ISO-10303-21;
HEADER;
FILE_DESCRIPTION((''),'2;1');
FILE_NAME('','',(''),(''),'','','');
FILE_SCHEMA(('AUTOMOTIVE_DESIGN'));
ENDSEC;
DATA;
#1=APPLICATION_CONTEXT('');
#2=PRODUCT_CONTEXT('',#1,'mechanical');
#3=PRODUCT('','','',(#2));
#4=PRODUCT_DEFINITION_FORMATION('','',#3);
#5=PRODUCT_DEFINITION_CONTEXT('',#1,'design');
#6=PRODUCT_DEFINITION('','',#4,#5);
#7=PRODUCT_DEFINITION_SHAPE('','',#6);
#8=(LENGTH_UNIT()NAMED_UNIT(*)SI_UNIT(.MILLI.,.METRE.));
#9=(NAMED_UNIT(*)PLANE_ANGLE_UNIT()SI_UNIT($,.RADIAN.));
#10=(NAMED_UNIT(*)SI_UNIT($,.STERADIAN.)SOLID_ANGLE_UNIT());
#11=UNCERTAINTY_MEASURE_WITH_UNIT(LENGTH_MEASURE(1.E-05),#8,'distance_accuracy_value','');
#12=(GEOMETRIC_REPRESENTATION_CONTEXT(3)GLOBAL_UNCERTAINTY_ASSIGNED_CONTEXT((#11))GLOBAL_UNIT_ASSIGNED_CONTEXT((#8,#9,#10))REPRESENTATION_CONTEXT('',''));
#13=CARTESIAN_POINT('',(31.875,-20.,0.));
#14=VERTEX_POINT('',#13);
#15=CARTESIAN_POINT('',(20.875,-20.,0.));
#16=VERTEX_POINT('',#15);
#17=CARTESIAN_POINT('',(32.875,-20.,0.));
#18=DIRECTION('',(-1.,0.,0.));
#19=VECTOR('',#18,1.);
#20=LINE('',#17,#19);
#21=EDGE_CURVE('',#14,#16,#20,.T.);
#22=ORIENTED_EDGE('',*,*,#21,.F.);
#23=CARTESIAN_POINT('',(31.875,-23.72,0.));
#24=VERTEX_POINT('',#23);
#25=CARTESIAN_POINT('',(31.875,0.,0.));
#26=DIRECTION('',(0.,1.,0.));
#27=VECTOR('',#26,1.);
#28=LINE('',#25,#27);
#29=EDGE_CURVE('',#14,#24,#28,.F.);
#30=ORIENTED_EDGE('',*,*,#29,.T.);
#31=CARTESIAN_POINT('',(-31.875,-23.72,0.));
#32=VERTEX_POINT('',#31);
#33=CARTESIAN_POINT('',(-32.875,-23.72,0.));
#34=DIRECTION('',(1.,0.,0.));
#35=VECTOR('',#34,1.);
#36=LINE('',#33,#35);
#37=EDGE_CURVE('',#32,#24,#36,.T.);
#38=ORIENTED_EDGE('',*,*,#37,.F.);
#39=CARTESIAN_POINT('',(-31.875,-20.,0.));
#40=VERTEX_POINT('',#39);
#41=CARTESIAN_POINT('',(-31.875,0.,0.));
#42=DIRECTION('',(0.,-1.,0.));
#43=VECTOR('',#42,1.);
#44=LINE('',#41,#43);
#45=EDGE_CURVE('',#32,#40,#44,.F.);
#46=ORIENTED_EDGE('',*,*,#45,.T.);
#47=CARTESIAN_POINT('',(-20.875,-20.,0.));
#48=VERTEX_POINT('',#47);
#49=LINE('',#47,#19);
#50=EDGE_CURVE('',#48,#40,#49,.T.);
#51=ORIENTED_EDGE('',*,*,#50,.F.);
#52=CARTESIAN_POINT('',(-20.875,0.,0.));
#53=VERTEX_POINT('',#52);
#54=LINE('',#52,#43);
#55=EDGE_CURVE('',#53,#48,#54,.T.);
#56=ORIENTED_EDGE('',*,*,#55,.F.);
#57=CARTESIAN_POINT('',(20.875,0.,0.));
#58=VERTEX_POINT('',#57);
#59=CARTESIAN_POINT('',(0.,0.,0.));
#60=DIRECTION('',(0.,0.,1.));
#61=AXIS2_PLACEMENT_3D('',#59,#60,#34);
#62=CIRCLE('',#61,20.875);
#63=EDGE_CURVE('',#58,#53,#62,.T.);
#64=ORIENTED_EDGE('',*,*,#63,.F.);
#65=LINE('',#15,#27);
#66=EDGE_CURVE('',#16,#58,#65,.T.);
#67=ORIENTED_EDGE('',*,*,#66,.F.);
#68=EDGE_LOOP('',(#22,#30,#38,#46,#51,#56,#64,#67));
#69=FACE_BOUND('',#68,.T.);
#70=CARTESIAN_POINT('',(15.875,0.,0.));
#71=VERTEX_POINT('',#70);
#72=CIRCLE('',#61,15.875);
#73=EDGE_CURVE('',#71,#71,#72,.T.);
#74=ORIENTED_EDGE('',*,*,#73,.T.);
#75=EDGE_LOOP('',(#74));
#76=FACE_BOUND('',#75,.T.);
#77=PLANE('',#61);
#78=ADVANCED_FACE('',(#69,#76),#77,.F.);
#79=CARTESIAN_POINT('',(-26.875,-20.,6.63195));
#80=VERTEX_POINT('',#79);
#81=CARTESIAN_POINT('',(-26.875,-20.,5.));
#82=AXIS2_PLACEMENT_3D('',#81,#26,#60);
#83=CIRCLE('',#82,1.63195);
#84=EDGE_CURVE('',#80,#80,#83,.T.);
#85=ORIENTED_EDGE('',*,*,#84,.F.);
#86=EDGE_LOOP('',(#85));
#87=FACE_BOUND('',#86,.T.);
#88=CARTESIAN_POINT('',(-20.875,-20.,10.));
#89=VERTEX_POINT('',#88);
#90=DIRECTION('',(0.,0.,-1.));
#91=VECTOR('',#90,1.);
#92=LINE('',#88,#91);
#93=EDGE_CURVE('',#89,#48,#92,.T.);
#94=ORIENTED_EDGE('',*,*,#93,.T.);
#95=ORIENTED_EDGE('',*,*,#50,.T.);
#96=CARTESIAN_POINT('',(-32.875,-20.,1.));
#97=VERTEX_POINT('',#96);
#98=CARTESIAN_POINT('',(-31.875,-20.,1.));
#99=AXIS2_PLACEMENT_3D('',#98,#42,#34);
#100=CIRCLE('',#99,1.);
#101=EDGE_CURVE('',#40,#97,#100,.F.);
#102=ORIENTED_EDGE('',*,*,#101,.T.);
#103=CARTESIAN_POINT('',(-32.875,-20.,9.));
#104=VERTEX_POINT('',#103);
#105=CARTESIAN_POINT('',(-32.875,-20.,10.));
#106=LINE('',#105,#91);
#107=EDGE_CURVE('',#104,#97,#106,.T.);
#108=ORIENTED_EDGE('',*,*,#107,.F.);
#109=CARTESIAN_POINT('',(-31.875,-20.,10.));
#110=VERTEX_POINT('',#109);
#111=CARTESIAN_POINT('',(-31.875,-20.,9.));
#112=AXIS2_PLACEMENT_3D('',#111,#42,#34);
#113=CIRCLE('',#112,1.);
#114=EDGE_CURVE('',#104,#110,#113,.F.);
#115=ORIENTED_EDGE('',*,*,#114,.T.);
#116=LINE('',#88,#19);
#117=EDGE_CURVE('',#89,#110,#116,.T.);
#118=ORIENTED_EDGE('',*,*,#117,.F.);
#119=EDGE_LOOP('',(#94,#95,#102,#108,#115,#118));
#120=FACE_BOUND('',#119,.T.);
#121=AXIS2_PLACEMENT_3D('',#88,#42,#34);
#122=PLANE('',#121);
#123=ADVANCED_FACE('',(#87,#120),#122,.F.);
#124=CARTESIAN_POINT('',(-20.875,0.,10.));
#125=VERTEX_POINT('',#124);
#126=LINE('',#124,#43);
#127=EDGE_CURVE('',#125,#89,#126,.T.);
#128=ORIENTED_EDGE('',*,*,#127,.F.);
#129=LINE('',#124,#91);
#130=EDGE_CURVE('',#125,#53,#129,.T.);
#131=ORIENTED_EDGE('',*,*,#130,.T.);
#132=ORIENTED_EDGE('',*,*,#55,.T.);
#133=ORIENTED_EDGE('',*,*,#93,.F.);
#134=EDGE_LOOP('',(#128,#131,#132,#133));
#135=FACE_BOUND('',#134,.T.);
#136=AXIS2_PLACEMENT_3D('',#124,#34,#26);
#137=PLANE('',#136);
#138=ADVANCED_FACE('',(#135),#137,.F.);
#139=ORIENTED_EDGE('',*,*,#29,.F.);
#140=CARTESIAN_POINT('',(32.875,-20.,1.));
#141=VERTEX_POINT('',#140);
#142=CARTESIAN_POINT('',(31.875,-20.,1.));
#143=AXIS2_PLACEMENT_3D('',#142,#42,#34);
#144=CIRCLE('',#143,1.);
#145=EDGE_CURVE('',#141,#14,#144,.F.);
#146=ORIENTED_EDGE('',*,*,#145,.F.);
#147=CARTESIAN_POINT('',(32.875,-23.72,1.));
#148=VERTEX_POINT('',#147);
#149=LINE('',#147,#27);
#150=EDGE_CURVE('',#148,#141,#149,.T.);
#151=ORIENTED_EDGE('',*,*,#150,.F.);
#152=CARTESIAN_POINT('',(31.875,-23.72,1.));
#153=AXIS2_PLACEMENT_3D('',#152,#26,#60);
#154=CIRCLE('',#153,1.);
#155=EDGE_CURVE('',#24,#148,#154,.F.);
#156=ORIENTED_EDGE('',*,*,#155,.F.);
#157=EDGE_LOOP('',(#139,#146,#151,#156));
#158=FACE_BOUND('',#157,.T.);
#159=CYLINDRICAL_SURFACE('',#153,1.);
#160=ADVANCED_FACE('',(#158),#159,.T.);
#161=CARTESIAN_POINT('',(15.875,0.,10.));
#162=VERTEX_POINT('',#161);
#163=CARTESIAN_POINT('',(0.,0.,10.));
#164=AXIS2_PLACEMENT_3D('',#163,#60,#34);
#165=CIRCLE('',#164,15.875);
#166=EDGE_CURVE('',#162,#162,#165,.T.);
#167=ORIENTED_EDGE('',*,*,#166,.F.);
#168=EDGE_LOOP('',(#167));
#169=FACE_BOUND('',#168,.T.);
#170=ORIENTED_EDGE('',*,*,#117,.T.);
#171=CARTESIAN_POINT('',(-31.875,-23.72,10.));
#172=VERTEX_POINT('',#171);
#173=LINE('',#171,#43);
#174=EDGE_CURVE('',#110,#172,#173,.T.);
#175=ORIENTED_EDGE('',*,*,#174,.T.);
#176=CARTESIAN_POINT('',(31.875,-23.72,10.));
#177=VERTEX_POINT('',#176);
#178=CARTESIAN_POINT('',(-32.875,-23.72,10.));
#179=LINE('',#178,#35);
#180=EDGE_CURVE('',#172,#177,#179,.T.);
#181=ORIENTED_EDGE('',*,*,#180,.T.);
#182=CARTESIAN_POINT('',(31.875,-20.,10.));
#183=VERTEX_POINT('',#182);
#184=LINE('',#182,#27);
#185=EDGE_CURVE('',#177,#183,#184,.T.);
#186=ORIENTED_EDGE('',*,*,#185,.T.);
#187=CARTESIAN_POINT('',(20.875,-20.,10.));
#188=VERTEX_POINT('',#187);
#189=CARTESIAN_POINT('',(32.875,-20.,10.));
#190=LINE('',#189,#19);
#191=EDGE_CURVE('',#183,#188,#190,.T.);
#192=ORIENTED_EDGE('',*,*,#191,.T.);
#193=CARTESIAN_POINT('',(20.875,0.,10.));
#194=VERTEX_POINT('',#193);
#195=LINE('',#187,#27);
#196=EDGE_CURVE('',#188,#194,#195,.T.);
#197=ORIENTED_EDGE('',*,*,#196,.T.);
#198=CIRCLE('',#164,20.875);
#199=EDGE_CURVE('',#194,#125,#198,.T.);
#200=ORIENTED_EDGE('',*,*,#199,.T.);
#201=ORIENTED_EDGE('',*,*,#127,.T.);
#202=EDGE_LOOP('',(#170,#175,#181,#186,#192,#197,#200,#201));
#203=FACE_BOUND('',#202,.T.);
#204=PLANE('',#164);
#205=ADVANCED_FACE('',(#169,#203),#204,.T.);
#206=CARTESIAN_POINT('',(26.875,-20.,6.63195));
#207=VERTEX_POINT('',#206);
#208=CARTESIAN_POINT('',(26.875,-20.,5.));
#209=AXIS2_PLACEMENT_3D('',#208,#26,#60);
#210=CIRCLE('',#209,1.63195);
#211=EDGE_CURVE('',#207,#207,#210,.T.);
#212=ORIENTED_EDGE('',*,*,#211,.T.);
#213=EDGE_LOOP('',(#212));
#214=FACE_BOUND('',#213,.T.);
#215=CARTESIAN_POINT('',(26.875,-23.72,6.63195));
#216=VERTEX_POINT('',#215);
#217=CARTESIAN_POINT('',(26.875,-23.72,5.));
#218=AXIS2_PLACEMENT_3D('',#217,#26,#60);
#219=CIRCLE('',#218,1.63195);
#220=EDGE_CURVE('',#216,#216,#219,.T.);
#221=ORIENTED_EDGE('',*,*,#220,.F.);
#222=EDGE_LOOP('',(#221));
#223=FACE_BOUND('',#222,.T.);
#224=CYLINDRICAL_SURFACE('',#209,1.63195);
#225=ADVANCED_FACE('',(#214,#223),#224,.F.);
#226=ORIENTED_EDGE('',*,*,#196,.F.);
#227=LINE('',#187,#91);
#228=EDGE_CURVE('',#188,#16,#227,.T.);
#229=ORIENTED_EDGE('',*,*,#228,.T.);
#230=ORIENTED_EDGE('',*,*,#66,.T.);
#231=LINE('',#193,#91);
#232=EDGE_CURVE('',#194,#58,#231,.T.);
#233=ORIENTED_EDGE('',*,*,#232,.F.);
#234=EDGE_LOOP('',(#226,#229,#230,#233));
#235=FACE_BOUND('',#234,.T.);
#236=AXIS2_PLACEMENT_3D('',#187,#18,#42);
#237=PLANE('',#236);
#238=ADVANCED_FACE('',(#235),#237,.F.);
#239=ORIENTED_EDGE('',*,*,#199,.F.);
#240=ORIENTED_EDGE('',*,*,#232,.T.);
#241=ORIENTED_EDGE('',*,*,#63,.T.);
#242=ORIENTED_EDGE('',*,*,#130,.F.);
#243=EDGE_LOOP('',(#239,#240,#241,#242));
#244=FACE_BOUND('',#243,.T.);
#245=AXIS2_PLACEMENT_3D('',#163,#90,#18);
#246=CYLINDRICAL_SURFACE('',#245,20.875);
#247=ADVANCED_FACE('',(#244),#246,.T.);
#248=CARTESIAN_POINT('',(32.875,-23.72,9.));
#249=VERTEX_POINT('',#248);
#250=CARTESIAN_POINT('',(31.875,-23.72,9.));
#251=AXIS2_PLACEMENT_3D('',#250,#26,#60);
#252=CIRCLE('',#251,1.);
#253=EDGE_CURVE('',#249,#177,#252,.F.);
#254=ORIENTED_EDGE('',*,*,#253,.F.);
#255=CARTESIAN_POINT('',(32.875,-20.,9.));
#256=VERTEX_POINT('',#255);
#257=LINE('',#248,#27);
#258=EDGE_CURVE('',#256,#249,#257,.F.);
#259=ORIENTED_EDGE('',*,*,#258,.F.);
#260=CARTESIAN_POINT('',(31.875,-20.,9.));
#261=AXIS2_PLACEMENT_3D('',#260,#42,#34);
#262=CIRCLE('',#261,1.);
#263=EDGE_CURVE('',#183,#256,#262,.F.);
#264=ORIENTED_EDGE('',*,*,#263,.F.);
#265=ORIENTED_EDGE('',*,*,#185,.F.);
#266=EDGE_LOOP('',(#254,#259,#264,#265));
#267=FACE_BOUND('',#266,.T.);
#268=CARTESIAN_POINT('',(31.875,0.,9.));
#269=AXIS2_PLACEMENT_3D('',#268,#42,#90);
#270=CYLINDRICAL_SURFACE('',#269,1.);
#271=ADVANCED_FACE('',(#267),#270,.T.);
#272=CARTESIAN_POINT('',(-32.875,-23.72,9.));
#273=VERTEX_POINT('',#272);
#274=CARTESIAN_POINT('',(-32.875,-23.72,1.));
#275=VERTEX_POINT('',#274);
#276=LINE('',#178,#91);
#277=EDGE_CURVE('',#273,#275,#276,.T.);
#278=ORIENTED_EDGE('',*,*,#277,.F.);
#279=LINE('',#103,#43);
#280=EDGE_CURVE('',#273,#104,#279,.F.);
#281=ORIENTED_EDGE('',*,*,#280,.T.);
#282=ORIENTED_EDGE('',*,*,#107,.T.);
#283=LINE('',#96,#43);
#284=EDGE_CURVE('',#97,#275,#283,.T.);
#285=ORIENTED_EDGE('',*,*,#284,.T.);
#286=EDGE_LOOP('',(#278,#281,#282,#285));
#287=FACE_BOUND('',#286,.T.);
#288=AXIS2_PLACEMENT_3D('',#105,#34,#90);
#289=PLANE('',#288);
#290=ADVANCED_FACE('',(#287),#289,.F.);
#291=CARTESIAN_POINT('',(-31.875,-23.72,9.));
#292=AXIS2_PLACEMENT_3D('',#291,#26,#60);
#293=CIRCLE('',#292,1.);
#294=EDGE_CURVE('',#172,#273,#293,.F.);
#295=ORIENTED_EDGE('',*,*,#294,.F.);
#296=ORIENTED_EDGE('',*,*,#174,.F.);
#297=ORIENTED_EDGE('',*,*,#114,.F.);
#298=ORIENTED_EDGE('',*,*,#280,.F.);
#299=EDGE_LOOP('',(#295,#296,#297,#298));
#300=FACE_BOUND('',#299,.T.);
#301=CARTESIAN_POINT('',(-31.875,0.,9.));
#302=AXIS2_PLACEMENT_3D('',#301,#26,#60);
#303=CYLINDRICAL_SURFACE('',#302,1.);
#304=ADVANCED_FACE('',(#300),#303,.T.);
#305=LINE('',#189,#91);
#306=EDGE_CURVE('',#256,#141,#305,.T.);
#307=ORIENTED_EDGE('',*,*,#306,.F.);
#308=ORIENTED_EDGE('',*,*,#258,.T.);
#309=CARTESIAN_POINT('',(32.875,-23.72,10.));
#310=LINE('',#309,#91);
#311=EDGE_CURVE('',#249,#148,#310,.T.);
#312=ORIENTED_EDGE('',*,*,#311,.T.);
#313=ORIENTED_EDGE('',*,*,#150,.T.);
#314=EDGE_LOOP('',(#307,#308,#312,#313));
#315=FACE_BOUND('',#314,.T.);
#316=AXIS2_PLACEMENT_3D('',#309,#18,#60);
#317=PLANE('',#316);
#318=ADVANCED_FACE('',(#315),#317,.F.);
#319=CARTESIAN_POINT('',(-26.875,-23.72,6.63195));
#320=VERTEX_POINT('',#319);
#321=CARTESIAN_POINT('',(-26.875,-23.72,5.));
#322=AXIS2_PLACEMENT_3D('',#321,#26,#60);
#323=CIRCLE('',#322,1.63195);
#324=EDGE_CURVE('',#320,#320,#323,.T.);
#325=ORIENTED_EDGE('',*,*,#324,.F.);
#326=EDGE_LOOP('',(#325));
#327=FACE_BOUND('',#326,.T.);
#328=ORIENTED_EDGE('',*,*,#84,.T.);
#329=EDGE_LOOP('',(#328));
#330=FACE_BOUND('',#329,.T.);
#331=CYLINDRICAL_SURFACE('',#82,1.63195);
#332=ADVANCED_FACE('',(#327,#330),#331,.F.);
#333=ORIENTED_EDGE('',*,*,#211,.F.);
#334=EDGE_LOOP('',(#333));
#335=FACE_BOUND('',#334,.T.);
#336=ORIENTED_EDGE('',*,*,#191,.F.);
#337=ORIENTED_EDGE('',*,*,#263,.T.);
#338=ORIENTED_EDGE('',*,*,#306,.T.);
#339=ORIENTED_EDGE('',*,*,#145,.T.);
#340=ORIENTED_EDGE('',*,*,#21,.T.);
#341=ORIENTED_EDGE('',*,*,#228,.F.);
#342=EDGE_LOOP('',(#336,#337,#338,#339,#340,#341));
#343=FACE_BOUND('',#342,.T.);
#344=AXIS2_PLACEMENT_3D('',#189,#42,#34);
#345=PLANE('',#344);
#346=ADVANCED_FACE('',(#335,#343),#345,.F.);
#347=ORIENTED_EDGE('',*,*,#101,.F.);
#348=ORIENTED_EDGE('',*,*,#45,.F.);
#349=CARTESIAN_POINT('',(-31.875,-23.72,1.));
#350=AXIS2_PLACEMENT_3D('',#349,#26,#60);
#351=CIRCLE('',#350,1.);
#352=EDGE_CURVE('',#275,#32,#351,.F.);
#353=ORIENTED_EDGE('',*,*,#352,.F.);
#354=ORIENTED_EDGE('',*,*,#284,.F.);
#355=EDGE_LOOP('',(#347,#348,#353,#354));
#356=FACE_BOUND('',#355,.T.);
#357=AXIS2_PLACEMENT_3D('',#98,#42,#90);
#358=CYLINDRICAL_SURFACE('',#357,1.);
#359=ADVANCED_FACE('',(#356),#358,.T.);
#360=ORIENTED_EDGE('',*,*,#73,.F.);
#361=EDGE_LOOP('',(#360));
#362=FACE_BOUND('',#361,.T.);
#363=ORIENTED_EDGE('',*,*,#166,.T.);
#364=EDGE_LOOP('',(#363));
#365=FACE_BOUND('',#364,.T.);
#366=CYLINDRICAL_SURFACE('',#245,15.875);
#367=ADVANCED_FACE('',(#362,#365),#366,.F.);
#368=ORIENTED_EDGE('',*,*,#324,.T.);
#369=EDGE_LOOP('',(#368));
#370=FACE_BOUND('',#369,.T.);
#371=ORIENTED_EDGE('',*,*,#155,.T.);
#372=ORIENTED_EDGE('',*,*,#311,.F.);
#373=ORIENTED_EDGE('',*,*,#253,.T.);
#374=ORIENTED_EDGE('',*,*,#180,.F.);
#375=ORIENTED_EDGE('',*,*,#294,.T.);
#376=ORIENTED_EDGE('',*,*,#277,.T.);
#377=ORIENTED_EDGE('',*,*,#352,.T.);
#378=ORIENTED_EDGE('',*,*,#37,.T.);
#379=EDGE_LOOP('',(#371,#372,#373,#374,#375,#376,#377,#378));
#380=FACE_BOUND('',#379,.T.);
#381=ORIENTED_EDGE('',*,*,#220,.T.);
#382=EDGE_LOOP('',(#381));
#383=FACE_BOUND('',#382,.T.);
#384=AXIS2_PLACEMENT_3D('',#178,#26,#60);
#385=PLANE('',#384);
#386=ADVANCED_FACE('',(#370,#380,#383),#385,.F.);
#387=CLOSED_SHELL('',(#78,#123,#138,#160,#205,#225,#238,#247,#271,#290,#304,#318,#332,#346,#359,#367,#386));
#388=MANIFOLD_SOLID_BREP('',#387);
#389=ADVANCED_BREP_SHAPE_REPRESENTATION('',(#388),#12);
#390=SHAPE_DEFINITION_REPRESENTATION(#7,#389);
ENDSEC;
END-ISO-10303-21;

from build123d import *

# Parameters (mm, degrees)
SKETCH1_R             = 15.875
BOSS_EXTRUDE1_DEPTH   = 10
FILLET1_R             = 1
F_4_CLEARANCE_HOLE1_D = 3.2639


with BuildPart() as part:
    # Sketch1 → Boss-Extrude1 (new body)
    with BuildSketch(Plane.XY):
        with BuildLine():
            Line((-20.875, 0), (-20.875, -20))
            Line((-20.875, -20), (-32.875, -20))
            Line((-32.875, -20), (-32.875, -23.72))
            Line((-32.875, -23.72), (32.875, -23.72))
            Line((32.875, -23.72), (32.875, -20))
            Line((32.875, -20), (20.875, -20))
            Line((20.875, -20), (20.875, 0))
            ThreePointArc((20.875, 0), (0, 20.875), (-20.875, 0))
        make_face()
        Circle(SKETCH1_R, mode=Mode.SUBTRACT)
    extrude(amount=BOSS_EXTRUDE1_DEPTH)

    # Fillet1
    fillet1_edges = [part.edges().sort_by_distance(p)[0] for p in [
        (-32.875, -21.86, 10),
        (32.875, -21.86, 10),
        (32.875, -21.86, 0),
        (-32.875, -21.86, 0),
    ]]
    fillet(fillet1_edges, radius=FILLET1_R)

    # #4 Clearance Hole1 (through all)
    with Locations(Plane(origin=(0, -20, 0), x_dir=(1, 0, 0), z_dir=(0, 1, 0))):
        with Locations((-26.875, -5), (26.875, -5)):
            Hole(F_4_CLEARANCE_HOLE1_D / 2)


solid = part.part
